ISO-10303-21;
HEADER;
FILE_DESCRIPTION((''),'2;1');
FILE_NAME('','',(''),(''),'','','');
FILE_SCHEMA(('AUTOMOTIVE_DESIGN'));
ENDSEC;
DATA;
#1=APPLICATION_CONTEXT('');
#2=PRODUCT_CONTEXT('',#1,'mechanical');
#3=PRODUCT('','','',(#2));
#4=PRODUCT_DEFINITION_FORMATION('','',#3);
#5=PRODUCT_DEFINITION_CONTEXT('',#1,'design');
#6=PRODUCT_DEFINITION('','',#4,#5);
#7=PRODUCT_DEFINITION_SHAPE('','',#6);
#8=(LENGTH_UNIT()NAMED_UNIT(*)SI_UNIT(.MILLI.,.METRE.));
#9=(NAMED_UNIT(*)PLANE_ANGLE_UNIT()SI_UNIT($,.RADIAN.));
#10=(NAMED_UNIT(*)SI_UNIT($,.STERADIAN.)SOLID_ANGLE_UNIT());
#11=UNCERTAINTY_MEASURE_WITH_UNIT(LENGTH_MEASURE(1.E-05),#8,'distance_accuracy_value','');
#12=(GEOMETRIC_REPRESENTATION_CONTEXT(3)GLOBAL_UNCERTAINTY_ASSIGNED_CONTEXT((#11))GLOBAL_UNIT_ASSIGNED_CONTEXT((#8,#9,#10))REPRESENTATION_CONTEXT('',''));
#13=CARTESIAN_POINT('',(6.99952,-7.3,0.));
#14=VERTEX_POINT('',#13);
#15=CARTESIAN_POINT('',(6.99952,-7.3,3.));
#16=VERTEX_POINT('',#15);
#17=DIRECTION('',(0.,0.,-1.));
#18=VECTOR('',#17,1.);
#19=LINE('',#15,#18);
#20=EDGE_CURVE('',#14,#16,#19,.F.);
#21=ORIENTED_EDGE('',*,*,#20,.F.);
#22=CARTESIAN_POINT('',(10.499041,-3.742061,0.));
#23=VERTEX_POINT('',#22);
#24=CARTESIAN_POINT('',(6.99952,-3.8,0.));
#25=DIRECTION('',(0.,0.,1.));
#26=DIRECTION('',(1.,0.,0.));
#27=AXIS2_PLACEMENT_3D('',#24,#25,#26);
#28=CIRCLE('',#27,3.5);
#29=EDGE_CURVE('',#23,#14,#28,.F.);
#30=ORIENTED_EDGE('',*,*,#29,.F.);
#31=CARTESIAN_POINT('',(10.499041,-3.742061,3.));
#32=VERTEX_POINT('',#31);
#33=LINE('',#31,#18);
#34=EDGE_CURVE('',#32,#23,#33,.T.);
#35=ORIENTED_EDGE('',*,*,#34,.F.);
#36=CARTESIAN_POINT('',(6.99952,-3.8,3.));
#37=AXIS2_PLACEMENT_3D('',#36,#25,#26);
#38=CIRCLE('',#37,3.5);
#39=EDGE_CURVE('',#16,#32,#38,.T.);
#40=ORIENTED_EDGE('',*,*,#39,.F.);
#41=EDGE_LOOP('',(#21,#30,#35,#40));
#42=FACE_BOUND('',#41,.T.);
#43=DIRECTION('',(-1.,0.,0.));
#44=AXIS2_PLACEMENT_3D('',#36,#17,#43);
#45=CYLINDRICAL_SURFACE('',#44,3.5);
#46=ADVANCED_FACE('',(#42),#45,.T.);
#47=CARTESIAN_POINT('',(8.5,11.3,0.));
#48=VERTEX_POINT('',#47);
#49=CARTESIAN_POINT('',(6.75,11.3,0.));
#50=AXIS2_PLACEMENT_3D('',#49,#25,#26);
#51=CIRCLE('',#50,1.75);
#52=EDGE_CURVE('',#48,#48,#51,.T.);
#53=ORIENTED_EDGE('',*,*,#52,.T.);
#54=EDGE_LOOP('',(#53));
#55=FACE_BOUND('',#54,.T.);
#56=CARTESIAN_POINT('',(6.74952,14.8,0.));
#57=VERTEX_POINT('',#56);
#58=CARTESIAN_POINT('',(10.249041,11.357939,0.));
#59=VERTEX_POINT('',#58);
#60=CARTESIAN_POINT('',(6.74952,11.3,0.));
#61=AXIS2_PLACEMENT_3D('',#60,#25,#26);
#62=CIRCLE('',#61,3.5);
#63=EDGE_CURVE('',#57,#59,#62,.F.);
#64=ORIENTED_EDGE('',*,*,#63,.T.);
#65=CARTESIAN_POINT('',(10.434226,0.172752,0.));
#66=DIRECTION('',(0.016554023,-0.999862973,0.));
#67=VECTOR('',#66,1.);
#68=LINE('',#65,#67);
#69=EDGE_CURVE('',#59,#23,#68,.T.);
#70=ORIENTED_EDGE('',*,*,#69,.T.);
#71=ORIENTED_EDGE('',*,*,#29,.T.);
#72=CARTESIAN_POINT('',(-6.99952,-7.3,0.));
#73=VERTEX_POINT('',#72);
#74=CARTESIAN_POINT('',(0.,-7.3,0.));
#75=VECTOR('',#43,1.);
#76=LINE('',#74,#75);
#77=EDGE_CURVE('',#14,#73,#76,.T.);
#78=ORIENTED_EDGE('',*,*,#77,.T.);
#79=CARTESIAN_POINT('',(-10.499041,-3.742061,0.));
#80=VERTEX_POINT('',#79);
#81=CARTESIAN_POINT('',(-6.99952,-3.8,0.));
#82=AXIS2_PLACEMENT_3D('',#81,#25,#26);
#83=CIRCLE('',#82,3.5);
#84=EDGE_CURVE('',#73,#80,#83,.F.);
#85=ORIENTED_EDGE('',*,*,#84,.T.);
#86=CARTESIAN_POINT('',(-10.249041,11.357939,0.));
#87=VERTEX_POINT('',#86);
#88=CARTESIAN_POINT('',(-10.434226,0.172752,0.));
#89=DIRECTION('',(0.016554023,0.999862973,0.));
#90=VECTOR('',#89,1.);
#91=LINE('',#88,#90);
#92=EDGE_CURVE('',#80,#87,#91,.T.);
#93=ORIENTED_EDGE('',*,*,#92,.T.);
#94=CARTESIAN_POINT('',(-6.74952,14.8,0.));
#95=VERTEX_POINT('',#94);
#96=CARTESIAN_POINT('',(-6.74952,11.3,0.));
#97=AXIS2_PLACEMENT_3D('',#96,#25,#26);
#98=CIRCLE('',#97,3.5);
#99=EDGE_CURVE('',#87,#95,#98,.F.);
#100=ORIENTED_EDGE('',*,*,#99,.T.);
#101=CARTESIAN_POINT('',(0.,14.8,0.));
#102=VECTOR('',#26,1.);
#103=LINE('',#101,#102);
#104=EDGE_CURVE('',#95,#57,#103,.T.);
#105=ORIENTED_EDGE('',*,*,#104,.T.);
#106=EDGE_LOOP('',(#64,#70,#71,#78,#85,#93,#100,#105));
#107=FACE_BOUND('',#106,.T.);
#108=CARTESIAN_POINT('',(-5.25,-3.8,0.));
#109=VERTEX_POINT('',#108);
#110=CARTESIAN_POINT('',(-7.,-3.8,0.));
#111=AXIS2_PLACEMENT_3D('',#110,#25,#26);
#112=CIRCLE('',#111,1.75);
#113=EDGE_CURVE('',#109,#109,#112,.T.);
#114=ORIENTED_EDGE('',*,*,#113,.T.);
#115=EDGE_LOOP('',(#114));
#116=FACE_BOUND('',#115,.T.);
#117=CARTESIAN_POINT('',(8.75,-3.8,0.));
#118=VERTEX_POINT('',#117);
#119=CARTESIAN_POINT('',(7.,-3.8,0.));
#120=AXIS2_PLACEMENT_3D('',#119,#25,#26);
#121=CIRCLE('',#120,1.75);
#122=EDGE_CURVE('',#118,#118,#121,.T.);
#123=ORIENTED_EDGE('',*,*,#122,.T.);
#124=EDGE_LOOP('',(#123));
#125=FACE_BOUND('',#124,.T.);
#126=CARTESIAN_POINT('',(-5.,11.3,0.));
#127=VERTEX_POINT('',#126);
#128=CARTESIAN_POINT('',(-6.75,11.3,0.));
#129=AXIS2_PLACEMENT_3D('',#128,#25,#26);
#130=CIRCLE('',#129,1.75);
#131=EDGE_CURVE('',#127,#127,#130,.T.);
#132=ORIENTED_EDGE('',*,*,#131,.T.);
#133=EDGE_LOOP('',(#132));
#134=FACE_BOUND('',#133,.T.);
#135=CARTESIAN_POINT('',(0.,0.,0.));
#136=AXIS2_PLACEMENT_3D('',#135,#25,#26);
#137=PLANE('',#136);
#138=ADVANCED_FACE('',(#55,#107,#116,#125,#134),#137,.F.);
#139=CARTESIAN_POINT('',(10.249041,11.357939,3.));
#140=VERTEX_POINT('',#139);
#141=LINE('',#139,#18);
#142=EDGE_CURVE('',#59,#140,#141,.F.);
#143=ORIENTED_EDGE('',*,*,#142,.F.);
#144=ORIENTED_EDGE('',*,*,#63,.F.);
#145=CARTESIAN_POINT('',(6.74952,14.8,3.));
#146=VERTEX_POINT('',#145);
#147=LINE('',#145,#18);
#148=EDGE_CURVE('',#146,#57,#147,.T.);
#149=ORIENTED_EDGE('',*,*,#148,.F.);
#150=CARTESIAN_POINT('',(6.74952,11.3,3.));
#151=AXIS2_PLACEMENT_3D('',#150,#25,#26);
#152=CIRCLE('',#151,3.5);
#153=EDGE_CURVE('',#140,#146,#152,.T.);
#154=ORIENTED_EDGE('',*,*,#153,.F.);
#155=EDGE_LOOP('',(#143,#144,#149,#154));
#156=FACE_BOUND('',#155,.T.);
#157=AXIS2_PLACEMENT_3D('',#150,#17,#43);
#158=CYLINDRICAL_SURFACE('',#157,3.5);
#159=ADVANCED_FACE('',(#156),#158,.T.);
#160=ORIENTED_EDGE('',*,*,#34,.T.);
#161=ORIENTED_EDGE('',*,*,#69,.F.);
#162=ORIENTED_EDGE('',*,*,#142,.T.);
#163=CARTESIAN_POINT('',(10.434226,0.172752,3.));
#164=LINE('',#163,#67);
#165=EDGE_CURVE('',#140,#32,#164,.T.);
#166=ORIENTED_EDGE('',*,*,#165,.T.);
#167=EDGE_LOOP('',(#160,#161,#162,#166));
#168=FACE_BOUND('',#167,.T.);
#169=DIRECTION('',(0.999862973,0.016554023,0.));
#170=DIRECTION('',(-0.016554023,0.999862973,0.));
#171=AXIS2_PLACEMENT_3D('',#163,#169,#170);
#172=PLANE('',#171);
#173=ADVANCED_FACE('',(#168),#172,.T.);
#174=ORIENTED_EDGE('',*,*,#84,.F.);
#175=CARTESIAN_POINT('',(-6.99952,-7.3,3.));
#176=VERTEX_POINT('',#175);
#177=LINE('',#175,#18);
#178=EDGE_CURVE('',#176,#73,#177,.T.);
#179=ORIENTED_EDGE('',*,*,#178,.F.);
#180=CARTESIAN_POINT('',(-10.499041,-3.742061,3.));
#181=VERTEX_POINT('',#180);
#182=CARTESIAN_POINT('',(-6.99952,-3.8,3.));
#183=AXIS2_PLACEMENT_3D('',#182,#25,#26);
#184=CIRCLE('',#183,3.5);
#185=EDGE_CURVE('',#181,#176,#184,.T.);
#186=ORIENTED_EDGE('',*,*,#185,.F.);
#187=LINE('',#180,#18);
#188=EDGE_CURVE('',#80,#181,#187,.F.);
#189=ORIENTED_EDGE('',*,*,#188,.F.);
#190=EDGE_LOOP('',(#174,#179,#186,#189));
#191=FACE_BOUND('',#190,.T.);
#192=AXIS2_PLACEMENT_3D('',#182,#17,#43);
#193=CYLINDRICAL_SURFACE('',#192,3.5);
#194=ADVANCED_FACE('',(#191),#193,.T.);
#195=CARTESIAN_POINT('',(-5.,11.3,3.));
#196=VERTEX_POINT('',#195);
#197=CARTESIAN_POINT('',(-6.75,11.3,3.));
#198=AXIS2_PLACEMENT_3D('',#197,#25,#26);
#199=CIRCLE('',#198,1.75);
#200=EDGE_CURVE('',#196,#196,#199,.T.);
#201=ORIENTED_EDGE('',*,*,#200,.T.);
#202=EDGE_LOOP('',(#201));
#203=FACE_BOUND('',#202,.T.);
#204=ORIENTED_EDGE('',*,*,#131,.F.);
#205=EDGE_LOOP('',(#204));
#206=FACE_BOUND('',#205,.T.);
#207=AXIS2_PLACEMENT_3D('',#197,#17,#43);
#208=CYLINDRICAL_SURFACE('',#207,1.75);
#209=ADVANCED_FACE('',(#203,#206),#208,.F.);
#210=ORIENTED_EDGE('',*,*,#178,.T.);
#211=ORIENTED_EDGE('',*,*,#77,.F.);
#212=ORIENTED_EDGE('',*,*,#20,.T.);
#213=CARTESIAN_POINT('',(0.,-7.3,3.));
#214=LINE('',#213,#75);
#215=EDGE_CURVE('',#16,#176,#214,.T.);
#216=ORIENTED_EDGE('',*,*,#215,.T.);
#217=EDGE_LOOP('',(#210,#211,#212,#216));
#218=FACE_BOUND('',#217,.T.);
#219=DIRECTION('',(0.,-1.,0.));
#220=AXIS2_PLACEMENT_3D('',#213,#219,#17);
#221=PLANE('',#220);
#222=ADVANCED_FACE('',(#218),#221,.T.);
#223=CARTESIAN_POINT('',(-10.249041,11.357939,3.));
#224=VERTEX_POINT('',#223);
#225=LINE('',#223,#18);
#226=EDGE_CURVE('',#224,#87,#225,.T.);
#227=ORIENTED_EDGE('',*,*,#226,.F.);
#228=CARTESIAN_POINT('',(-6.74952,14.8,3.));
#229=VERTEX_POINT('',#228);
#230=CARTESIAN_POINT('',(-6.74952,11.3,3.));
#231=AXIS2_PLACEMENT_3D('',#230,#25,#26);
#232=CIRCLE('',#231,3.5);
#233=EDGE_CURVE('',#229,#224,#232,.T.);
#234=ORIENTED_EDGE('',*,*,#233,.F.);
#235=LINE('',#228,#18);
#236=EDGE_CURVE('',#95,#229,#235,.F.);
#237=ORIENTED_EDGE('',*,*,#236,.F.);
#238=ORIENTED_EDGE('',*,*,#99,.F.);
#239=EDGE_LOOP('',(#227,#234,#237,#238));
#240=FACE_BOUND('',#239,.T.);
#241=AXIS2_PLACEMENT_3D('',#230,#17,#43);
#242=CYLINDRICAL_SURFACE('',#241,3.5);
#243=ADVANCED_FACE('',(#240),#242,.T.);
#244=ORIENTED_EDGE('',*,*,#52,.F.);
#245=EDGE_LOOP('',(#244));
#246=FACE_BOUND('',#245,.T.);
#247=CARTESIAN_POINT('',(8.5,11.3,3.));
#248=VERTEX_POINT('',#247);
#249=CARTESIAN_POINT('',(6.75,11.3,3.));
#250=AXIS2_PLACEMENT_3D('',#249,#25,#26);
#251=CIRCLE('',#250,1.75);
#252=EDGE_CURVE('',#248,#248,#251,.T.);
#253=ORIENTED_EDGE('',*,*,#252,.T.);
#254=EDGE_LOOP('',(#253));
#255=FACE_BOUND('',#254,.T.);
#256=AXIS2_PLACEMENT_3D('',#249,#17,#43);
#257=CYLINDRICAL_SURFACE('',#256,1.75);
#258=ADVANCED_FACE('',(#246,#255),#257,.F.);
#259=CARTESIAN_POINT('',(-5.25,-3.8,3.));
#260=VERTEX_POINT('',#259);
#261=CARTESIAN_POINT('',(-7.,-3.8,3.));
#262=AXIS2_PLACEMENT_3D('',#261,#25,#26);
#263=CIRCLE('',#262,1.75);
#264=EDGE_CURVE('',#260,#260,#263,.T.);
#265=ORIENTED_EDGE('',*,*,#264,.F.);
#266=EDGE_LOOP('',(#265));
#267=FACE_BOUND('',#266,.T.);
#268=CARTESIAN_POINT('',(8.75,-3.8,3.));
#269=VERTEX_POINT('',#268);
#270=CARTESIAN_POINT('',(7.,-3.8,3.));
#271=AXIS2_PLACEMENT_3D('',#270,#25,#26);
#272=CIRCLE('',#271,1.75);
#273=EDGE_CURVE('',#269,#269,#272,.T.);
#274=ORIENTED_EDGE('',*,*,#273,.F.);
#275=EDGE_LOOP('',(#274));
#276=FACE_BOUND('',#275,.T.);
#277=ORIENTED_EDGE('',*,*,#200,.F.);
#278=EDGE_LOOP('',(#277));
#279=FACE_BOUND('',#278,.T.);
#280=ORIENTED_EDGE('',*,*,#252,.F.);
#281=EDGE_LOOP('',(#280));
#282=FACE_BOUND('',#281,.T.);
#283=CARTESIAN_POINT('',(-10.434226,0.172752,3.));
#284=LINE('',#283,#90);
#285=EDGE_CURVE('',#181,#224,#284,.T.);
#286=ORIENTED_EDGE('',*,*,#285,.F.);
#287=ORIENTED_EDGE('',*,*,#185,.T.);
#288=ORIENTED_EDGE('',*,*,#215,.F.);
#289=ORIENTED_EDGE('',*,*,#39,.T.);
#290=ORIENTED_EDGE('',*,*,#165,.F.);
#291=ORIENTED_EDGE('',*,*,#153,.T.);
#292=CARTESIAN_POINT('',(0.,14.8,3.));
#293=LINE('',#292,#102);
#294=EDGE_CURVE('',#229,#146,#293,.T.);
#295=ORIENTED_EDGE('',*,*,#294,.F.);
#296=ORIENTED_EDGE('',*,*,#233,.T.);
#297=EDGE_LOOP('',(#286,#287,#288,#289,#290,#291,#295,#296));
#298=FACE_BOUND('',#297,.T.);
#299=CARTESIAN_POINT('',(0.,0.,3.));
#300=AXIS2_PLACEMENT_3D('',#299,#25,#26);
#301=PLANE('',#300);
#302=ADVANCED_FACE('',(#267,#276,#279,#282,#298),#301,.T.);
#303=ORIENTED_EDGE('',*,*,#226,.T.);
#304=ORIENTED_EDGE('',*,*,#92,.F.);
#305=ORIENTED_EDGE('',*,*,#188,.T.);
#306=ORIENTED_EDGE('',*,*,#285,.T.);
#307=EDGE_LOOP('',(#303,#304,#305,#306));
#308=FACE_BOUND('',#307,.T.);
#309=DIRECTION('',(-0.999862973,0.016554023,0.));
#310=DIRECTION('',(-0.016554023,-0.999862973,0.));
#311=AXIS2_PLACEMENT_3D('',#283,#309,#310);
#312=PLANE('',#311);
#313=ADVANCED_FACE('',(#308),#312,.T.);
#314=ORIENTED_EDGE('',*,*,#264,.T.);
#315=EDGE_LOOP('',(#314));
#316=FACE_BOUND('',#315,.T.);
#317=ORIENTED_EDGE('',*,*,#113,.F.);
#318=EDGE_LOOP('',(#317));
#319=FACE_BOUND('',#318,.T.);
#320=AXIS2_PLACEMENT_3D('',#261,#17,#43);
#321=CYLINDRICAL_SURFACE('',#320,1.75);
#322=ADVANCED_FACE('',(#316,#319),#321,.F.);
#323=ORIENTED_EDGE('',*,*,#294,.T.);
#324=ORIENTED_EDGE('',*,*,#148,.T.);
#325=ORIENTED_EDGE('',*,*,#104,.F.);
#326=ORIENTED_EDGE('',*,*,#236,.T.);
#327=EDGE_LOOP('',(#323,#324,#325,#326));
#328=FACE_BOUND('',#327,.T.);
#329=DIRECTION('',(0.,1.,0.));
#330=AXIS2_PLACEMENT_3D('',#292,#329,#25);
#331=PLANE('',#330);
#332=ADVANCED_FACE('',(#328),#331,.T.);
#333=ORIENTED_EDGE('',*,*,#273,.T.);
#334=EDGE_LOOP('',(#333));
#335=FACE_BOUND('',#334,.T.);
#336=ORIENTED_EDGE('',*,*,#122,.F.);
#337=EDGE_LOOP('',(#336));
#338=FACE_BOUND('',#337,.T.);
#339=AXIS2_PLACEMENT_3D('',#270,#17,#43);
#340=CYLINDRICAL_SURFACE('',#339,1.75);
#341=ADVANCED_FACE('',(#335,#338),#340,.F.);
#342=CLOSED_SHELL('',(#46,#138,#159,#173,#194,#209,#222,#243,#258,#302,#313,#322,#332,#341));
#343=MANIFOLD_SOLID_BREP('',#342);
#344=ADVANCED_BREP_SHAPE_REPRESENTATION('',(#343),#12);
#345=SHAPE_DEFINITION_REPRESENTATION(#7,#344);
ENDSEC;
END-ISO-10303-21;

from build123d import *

# Parameters (mm, degrees)
ESQUISSE1_R        = 1.75
BOSS_EXTRU_1_DEPTH = 3
CONG_1_R           = 3.5


with BuildPart() as part:
    # Esquisse1 → Boss.-Extru.1 (new body)
    with BuildSketch(Plane.XY):
        Polygon((-10.55794702, -7.3), (-10.19205298, 14.8), (10.19205298, 14.8), (10.55794702, -7.3), align=None)
        with Locations((-6.75, 11.3)):
            Circle(ESQUISSE1_R, mode=Mode.SUBTRACT)
        with Locations((6.75, 11.3)):
            Circle(ESQUISSE1_R, mode=Mode.SUBTRACT)
        with Locations((-7, -3.8)):
            Circle(ESQUISSE1_R, mode=Mode.SUBTRACT)
        with Locations((7, -3.8)):
            Circle(ESQUISSE1_R, mode=Mode.SUBTRACT)
    extrude(amount=BOSS_EXTRU_1_DEPTH)

    # Congé1
    cong_1_edges = [part.edges().sort_by_distance(p)[0] for p in [
        (-10.55794702, -7.3, 1.5),
        (-10.19205298, 14.8, 1.5),
        (10.19205298, 14.8, 1.5),
        (10.55794702, -7.3, 1.5),
    ]]
    fillet(cong_1_edges, radius=CONG_1_R)


solid = part.part
